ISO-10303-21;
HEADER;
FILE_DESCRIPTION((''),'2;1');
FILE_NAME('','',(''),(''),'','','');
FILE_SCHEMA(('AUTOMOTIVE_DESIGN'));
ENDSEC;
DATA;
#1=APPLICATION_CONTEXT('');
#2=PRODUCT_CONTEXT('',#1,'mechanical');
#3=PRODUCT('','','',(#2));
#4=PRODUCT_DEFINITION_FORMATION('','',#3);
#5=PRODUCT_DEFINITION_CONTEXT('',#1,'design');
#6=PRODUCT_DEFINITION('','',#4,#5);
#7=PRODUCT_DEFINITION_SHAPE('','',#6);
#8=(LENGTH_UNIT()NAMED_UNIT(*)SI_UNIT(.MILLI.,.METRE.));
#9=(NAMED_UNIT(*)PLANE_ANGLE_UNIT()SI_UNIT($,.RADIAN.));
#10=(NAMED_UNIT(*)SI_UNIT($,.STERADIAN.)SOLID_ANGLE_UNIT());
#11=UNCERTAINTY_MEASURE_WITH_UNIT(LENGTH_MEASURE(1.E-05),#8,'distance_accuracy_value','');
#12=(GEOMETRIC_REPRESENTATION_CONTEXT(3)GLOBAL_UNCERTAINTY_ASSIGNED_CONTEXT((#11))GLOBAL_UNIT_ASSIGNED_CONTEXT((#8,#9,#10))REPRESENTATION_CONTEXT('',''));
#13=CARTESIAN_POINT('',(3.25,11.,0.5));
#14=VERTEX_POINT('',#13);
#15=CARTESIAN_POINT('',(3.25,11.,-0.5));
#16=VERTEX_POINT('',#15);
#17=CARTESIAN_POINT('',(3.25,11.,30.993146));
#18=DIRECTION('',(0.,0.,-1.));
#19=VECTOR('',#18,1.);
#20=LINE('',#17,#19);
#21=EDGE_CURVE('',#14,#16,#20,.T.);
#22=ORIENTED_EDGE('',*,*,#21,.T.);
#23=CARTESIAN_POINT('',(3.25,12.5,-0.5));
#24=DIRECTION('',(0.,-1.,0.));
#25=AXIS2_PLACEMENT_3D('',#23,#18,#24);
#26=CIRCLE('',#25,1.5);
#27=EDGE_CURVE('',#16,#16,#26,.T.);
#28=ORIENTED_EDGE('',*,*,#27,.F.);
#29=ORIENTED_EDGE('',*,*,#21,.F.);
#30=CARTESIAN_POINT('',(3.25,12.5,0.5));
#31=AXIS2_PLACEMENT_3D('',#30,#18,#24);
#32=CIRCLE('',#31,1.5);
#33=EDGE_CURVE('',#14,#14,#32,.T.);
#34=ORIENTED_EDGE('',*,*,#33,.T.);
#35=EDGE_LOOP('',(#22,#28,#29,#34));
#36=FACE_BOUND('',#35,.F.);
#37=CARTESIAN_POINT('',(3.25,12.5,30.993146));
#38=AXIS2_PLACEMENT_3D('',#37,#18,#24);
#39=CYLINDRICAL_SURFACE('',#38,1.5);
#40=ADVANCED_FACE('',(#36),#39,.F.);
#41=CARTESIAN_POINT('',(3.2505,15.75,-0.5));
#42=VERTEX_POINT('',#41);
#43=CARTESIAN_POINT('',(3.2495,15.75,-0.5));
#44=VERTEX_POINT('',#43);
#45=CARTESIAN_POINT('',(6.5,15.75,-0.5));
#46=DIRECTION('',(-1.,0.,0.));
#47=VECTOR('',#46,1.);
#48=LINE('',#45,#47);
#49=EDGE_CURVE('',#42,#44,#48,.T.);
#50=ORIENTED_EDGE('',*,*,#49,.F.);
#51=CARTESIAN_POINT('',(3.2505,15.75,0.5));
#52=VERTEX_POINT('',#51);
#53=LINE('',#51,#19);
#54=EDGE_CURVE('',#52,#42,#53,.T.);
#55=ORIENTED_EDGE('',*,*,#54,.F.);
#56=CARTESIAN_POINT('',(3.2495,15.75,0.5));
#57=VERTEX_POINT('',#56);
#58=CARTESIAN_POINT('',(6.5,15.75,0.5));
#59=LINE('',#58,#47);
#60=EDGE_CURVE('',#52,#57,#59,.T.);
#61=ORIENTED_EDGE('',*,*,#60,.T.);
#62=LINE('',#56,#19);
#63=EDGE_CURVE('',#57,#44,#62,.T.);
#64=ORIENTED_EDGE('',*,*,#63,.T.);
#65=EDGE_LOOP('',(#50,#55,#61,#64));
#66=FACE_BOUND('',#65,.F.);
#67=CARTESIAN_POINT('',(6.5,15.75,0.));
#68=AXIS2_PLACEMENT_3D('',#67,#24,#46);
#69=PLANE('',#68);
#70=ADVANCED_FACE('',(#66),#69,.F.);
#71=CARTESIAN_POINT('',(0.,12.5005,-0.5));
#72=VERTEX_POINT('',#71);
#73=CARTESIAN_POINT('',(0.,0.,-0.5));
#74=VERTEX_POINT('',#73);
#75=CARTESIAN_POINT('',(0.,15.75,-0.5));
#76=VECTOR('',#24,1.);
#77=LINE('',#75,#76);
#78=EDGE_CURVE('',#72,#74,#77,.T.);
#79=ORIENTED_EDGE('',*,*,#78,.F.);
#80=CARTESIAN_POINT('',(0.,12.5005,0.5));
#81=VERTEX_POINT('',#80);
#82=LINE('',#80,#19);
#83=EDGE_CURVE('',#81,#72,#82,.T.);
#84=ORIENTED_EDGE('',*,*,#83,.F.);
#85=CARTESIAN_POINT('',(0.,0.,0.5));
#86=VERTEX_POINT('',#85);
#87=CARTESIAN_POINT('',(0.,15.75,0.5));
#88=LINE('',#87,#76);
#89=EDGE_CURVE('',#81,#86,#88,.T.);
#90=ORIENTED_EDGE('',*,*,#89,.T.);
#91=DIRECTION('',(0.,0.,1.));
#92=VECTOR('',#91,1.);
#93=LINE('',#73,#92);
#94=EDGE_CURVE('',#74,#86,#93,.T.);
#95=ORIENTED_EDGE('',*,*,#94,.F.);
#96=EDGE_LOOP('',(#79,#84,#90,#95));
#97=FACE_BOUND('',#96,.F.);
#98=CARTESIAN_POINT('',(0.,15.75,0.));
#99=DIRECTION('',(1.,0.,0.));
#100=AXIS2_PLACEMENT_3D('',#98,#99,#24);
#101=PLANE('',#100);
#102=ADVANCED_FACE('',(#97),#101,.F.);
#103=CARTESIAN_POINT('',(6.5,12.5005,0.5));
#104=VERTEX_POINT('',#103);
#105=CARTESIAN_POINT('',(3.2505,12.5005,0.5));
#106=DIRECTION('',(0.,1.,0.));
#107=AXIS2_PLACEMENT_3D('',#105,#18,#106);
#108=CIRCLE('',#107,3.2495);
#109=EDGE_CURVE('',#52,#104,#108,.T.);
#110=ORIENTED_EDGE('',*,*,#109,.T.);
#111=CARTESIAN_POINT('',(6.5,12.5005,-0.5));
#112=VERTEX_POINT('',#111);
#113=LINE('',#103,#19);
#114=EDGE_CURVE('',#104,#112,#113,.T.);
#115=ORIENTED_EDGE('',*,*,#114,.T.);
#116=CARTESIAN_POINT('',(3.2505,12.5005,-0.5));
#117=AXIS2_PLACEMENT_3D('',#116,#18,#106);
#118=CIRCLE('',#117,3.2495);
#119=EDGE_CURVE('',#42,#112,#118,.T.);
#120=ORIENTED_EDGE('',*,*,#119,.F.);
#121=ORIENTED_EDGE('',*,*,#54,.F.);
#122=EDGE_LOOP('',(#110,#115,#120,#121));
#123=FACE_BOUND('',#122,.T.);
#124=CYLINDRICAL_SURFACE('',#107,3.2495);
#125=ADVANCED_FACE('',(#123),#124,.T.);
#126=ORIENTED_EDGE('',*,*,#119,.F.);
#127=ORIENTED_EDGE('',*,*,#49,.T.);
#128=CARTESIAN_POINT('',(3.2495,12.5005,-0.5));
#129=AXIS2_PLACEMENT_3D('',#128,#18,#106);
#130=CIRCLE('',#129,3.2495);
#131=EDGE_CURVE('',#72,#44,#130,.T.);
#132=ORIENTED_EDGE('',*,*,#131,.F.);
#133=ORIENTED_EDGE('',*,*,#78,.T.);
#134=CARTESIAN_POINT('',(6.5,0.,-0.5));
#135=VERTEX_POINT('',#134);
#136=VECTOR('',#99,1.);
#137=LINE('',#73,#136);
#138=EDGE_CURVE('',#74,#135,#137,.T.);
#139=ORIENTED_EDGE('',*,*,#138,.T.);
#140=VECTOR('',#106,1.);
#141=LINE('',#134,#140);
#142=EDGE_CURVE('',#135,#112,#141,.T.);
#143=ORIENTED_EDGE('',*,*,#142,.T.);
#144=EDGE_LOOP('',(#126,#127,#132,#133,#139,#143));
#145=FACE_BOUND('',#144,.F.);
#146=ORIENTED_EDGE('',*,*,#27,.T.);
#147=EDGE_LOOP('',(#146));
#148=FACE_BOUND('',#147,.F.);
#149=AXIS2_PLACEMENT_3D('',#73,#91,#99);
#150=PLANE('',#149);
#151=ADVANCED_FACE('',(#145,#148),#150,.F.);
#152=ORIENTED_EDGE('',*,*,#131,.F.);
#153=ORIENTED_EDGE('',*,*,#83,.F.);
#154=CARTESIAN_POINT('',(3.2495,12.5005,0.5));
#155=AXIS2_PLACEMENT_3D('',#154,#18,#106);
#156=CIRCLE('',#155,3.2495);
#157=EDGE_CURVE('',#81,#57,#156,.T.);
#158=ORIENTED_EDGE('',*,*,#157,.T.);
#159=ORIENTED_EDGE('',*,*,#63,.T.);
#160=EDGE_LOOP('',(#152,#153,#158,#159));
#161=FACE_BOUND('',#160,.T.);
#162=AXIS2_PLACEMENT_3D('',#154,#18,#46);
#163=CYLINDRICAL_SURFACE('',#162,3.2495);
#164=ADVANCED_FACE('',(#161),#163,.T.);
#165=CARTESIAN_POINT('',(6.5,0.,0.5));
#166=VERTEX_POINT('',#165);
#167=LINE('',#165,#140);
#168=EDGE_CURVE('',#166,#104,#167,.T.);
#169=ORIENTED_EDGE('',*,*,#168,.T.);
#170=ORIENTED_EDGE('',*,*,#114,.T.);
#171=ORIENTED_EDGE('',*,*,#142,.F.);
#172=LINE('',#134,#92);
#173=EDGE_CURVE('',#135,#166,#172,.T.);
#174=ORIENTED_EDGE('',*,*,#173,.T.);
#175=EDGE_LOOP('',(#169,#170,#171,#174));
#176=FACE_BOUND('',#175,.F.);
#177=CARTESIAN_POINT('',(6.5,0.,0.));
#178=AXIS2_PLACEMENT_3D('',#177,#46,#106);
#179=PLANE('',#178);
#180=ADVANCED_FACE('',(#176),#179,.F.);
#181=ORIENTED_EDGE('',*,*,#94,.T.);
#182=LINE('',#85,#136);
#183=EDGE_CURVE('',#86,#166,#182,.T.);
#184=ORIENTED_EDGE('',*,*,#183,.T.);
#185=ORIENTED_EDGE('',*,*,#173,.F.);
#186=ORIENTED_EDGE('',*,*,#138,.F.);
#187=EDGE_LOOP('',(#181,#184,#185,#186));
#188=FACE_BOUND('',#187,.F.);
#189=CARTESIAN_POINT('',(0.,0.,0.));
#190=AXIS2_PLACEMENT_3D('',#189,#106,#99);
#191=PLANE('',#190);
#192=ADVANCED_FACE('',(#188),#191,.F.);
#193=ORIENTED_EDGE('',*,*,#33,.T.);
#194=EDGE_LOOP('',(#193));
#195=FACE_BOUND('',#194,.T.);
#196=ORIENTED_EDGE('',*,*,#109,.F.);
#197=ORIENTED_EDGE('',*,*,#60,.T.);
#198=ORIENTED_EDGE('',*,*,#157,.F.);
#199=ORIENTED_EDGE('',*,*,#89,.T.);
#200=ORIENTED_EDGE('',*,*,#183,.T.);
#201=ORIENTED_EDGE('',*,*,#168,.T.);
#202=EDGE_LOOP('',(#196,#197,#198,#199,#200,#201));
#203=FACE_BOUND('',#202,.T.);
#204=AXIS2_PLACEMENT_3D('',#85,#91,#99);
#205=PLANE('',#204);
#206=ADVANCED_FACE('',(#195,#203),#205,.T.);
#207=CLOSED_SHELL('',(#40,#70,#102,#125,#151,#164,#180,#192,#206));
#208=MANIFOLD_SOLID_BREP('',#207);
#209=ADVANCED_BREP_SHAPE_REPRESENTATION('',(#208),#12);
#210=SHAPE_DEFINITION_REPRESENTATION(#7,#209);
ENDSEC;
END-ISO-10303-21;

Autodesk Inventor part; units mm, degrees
ref_plane "YZ Plane" through (0, 0, 0) normal (1, 0, 0) x (0, 1, 0)
ref_plane "XZ Plane" through (0, 0, 0) normal (0, 1, 0) x (-1, 0, 0)
ref_plane "XY Plane" through (0, 0, 0) normal (0, 0, 1) x (1, 0, 0)
sketch "Szkic1" plane through (0, 0, 0) normal (0, 0, 1) x (1, 0, 0)
  line L0 (0, 0) -> (6.5, 0)
  line L1 (6.5, 0) -> (6.5, 15.75)
  line L2 (6.5, 15.75) -> (0, 15.75)
  line L3 (0, 15.75) -> (0, 0)
  point P0 (3.25, 12.5)
  dimension "d0" = 6.5
  dimension "d5" = 3.25
  dimension "d6" = 12.5
extrude "Wyciągnięcie proste1" add sketch "Szkic1" along normal mid plane 1
fillet "Zaokrąglenie1" radius 3.25 2 edges at (6.5, 15.75, 0) (0, 15.75, 0)
hole "Otwór1" at (3.25, 12.5, 0) direction (0, 0, -1) diameter 3 end through all both
properties part number "podporka_mala"
